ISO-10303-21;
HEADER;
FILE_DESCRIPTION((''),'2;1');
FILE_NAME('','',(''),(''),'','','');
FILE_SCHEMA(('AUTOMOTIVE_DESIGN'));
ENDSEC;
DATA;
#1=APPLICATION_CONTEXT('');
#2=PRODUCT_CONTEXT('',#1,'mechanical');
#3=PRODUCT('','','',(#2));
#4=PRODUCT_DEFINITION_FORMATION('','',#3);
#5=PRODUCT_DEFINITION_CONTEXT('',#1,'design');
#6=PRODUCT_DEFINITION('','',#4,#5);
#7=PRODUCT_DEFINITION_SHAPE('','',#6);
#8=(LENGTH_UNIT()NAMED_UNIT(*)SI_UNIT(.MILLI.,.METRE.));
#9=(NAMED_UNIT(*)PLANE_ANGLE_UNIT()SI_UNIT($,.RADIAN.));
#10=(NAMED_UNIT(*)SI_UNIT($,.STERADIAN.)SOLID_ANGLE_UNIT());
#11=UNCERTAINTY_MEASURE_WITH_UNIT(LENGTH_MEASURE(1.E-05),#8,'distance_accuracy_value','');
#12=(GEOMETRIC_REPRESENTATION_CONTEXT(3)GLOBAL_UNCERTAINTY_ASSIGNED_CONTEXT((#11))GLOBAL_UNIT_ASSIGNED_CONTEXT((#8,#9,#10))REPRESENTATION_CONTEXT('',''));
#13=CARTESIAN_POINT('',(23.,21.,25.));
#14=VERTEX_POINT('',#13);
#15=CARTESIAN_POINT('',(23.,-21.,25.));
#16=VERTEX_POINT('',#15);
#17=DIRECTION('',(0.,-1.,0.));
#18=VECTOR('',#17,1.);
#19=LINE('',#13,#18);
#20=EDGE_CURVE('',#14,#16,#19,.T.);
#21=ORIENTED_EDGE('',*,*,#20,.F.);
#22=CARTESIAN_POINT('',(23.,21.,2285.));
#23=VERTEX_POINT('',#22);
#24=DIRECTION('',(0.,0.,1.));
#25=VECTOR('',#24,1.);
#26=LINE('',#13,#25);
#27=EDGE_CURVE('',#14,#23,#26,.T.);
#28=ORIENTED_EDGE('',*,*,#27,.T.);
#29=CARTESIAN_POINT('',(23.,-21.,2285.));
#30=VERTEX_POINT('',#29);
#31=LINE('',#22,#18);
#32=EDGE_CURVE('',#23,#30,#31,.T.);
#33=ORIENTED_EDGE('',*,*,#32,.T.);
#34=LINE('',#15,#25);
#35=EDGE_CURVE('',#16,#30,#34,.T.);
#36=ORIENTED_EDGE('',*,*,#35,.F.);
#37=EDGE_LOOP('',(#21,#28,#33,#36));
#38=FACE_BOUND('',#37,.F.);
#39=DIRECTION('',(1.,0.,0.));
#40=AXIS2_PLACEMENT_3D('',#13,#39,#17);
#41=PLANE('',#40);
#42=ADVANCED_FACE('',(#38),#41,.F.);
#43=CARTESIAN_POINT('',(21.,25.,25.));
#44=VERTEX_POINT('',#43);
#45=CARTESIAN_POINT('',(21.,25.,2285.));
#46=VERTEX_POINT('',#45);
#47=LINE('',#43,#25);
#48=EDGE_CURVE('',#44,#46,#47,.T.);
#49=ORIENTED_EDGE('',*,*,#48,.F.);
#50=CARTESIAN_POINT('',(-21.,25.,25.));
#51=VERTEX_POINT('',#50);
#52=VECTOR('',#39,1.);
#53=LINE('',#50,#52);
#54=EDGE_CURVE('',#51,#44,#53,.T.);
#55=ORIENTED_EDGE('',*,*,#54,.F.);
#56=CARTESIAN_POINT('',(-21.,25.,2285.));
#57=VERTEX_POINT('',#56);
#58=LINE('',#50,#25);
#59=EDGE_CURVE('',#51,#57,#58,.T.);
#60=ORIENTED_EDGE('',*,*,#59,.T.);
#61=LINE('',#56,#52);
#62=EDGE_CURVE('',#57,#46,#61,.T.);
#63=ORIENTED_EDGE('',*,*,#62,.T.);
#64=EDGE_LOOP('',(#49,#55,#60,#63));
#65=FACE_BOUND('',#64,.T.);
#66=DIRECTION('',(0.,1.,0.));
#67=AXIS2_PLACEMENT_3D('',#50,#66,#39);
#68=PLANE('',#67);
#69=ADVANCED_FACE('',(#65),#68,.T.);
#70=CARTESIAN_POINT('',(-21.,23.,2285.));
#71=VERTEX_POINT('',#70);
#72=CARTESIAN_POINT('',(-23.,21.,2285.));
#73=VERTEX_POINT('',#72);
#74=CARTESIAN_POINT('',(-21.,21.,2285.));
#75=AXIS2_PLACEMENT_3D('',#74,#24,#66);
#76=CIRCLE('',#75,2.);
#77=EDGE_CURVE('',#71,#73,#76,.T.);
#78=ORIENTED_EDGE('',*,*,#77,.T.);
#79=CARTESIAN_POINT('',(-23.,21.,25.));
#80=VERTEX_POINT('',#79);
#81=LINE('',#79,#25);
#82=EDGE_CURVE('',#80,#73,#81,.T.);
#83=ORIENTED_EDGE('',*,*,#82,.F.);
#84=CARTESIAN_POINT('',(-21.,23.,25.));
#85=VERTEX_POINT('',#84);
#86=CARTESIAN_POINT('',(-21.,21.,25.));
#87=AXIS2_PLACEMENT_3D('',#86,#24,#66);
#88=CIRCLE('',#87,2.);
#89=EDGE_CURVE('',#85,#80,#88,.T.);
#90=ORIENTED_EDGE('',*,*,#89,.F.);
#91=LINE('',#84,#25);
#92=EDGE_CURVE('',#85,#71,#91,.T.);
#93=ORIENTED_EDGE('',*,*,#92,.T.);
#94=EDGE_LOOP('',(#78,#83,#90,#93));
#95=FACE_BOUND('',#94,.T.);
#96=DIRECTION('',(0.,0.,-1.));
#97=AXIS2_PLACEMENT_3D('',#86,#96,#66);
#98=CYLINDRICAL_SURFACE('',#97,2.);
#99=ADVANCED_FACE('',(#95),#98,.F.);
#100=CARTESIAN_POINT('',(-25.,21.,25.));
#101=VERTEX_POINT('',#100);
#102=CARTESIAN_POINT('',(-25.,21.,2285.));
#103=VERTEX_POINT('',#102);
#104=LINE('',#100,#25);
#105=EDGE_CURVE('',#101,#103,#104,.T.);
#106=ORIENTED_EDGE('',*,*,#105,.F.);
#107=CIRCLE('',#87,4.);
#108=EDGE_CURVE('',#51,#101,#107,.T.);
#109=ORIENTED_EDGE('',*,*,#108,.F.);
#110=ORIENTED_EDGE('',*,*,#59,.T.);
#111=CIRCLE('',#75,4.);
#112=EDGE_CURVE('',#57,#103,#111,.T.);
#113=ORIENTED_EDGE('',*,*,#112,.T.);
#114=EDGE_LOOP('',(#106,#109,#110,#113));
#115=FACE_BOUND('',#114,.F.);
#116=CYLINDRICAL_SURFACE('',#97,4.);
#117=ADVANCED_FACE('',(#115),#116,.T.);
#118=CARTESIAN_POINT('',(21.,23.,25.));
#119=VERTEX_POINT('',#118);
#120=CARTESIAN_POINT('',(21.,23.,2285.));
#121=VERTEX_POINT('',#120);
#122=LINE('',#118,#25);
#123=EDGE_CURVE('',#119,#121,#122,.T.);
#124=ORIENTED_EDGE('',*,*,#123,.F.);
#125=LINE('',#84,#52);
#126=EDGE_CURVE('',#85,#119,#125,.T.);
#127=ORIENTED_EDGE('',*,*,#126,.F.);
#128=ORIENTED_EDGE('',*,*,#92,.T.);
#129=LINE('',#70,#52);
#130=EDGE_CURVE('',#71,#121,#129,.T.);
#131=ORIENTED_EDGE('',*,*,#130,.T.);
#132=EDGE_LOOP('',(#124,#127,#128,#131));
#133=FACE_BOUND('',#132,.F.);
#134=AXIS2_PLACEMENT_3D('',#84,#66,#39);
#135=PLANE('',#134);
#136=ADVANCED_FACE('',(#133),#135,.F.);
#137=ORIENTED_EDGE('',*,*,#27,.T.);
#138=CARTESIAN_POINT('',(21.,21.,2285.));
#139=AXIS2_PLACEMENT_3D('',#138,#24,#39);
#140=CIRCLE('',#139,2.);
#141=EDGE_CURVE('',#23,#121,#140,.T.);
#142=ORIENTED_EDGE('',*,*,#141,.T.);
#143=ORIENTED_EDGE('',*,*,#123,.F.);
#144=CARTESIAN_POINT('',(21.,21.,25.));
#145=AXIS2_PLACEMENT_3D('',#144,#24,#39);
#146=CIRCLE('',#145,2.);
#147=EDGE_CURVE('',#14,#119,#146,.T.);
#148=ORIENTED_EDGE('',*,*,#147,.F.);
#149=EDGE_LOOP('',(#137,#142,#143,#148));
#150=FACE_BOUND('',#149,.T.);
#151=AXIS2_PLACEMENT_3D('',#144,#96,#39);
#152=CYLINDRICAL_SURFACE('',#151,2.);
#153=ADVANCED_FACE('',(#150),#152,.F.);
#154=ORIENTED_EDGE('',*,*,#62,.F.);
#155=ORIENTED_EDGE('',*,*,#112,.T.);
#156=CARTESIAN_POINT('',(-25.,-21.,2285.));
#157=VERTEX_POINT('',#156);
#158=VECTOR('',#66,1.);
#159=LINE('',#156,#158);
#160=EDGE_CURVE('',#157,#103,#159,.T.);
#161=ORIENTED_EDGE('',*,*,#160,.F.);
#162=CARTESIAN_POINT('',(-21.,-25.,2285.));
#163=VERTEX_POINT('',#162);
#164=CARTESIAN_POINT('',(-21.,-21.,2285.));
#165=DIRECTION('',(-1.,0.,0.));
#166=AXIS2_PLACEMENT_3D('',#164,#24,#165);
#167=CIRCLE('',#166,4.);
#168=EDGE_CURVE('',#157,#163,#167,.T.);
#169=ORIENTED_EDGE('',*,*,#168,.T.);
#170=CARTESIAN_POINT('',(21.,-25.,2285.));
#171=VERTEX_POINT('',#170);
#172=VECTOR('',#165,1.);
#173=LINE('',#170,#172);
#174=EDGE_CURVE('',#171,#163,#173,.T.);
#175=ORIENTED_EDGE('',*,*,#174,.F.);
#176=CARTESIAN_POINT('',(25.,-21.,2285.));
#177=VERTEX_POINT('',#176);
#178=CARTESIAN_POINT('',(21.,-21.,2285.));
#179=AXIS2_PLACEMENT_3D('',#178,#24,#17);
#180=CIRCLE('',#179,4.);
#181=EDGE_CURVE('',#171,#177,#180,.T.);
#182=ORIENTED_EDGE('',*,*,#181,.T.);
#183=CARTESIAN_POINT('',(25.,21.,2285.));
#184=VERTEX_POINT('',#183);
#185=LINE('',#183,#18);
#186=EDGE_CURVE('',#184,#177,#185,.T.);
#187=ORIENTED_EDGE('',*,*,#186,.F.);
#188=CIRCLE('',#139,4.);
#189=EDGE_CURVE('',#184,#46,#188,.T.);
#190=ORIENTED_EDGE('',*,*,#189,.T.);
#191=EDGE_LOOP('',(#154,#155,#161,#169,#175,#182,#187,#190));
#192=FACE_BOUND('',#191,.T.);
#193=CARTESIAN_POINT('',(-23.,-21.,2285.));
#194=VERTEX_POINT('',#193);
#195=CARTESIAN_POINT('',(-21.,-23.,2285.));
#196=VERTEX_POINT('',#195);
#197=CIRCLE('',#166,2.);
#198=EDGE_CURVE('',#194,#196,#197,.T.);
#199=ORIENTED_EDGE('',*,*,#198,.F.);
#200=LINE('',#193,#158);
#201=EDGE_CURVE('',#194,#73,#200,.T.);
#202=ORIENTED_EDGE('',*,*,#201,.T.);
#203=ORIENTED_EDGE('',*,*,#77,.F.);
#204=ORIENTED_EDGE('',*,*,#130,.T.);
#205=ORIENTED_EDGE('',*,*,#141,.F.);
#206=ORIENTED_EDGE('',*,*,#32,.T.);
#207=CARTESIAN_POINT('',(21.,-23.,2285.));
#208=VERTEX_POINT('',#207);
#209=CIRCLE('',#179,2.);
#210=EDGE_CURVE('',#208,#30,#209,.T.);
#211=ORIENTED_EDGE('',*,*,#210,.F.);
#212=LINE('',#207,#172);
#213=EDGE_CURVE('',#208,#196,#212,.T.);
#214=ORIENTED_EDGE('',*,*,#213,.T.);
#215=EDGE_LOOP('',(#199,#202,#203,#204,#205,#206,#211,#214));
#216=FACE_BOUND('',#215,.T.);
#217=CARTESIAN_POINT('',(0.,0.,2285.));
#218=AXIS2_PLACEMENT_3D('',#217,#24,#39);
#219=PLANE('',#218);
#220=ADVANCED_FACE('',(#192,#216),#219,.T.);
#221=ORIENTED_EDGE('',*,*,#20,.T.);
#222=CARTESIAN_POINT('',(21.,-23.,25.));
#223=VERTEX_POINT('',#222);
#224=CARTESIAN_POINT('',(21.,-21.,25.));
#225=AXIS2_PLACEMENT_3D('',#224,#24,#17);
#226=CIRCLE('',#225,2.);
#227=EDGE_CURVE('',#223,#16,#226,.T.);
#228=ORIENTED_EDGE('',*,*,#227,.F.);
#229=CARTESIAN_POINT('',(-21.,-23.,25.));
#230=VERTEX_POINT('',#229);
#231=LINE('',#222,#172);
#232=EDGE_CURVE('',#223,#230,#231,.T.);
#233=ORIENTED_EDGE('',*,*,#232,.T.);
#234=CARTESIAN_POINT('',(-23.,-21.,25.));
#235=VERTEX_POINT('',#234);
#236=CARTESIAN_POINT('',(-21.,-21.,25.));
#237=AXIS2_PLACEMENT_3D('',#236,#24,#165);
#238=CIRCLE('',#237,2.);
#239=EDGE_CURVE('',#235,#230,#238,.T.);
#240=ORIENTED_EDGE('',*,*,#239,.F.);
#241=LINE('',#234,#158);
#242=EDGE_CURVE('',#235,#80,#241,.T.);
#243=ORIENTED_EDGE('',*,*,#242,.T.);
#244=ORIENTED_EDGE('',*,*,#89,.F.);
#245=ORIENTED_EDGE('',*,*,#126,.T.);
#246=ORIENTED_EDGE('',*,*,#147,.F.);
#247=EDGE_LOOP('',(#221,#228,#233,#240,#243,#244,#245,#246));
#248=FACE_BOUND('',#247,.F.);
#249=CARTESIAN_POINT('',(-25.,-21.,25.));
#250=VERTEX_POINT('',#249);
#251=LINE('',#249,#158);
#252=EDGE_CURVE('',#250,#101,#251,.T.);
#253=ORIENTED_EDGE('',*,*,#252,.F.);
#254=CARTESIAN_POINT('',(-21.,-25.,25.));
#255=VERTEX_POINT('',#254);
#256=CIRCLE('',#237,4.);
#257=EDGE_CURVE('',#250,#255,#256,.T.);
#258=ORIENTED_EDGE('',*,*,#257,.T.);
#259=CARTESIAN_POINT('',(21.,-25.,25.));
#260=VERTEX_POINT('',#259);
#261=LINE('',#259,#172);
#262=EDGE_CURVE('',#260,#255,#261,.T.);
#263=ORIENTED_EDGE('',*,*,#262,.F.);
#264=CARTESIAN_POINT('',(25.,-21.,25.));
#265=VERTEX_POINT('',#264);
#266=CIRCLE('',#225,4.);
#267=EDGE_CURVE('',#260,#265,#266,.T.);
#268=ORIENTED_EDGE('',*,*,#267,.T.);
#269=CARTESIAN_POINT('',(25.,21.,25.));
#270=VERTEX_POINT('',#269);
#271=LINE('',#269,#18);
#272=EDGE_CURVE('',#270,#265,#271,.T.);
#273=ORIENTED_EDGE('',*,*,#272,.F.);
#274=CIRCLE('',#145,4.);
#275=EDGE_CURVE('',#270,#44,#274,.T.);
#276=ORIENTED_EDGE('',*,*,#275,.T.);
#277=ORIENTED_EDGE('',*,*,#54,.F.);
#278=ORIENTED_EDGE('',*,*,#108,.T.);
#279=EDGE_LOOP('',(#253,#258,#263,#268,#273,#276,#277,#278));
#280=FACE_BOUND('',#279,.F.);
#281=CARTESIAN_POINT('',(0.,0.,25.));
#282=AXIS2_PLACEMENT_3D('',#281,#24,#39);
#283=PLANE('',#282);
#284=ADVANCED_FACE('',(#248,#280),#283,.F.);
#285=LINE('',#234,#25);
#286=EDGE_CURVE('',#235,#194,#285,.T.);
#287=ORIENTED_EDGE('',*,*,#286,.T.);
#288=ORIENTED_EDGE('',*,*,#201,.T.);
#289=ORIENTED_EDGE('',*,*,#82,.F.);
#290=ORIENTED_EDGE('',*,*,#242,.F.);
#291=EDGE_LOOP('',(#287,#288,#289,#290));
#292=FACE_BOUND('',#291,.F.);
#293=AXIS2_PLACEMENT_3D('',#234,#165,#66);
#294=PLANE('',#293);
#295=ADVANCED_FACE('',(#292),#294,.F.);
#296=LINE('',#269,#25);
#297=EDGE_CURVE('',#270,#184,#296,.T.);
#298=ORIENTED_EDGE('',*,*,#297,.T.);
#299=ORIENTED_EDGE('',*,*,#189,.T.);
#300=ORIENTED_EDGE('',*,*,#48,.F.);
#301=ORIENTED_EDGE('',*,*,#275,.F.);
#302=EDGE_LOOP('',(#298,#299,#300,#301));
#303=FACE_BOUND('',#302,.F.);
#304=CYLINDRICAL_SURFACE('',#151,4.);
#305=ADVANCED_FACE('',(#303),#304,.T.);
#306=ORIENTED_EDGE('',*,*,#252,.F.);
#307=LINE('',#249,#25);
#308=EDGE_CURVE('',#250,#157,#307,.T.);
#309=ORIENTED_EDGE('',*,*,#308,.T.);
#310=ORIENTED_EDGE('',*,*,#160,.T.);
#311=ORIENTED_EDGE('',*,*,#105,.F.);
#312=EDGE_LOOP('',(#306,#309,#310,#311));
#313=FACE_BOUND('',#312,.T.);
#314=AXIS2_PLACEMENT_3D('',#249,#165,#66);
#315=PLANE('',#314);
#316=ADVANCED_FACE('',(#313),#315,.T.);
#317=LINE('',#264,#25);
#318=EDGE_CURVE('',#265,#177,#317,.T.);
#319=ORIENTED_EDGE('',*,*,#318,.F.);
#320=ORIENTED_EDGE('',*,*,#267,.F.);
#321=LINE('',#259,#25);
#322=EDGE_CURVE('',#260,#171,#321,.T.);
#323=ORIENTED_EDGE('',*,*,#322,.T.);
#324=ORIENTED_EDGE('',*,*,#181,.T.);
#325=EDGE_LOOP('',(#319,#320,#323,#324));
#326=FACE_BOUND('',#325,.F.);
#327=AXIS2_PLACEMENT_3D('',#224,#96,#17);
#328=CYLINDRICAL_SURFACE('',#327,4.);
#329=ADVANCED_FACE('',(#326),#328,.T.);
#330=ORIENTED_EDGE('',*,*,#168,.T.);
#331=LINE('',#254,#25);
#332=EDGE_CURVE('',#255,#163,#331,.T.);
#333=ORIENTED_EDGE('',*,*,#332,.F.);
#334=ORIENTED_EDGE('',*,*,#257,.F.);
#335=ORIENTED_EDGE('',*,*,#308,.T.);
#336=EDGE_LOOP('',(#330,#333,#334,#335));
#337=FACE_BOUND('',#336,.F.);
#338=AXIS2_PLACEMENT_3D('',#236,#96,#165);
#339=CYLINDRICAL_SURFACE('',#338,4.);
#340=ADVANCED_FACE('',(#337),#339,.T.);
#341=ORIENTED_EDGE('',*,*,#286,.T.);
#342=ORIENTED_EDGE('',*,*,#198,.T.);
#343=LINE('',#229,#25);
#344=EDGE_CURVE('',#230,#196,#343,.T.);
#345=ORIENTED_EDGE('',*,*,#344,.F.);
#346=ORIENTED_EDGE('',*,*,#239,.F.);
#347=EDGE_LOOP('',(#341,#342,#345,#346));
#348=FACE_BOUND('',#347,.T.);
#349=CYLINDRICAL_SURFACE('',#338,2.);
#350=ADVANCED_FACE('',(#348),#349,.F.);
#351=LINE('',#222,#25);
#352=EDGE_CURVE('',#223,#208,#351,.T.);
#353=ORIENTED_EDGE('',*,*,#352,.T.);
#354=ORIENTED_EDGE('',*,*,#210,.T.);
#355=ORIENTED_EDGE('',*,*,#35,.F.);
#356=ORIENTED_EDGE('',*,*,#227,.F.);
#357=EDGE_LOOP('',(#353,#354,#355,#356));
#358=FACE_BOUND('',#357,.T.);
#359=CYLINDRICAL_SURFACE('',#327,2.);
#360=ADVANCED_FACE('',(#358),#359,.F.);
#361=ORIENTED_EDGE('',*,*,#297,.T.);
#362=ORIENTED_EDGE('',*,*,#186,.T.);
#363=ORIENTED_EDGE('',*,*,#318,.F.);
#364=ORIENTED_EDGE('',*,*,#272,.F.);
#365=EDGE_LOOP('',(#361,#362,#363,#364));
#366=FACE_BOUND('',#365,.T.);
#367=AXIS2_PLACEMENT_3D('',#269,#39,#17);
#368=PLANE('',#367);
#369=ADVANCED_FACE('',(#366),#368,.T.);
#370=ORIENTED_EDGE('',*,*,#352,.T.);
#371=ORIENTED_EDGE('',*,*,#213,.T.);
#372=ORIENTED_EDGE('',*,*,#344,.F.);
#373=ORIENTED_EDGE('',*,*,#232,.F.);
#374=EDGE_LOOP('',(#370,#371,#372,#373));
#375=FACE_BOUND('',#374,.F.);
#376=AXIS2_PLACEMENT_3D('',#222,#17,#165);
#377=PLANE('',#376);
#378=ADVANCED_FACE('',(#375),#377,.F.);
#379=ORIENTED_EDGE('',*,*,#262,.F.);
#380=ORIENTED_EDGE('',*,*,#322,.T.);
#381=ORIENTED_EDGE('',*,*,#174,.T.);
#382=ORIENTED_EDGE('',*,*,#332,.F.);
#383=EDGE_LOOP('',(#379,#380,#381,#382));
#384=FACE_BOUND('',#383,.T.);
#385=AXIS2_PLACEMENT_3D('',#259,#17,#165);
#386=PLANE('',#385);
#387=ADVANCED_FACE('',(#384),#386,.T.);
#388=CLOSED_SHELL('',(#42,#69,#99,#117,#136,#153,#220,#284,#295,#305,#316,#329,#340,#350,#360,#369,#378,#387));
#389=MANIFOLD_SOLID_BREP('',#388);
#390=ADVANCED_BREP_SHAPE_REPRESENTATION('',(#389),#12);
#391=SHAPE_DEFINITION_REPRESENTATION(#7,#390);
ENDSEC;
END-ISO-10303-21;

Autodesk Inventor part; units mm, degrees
ref_plane "Start Plane" through (0, 0, 25) normal (0, 0, 1) x (1, 0, 0)
ref_plane "End Plane" through (0, 0, 2285) normal (0, 0, 1) x (1, 0, 0)
sketch "Sketch" plane through (0, 0, 0) normal (0, 0, 1) x (1, 0, 0)
  line L0 (-25, -21) -> (-25, 21)
  line L1 (-21, 25) -> (21, 25)
  line L2 (25, 21) -> (25, -21)
  line L3 (21, -25) -> (-21, -25)
  arc A0 (-25, -21) -> (-21, -25) centre (-21, -21) ccw
  arc A1 (25, 21) -> (21, 25) centre (21, 21) ccw
  arc A2 (-21, 25) -> (-25, 21) centre (-21, 21) ccw
  arc A3 (21, -25) -> (25, -21) centre (21, -21) ccw
  arc A4 (-21, 23) -> (-23, 21) centre (-21, 21) ccw
  line L4 (-21, 23) -> (21, 23)
  arc A5 (23, 21) -> (21, 23) centre (21, 21) ccw
  line L5 (23, 21) -> (23, -21)
  arc A6 (21, -23) -> (23, -21) centre (21, -21) ccw
  line L6 (21, -23) -> (-21, -23)
  arc A7 (-23, -21) -> (-21, -23) centre (-21, -21) ccw
  line L7 (-23, -21) -> (-23, 21)
  line L8 (0, 36.1598) -> (0, -36.1598) construction
  line L9 (-36.1598, 0) -> (36.1598, 0) construction
  dimension "d7" = 4
  dimension "d9" = 50
  dimension "d11" = 50
  dimension "d12" = 2
  dimension "d15" = 25
  dimension "d16" = 25
extrude "Body" add sketch "Sketch" along normal up to surface (2260 mm away) from surface at 25
sketch "Sketch3" plane through (0, 0, 0) normal (0, 0, 1) x (1, 0, 0)
  line L0 (0, 0) -> (10, 0)
ref_plane "Work Plane3" through (0, 0, 0) normal (0, -1, 0) x (1, 0, 0)
sketch "Sketch4" plane through (0, 0, 0) normal (0, -1, 0) x (1, 0, 0)
  line L0 (-2, 25) -> (12, 25)
  line L1 (-2, 2285) -> (12, 2285)
  dimension "d18" = 2260
ref_plane "Work Plane4" through (0, 21, 25) normal (0, 0, -1) x (-1, 0, 0)
split "Split1" plane through (0, 21, 25) removes the side toward (0, 0, -1)
ref_plane "Work Plane5" through (0, -21, 2285) normal (0, 0, 1) x (1, 0, 0)
split "Split2" plane through (0, -21, 2285) removes the side toward (0, 0, 1)
equation "\"d7\" = G_IR"
equation "\"d9\" = G_W"
equation "\"d11\" = G_H"
equation "\"d12\" = G_T"
equation "\"d15\" = 0.5 * d9"
equation "\"d16\" = 0.5 * d11"
equation "\"d3\" = G_L"
equation "\"G_W\" = 50"
equation "\"G_H\" = 50"
equation "\"G_T\" = 2"
equation "\"G_IR\" = 4"
equation "\"G_L\" = d18"
equation "\"G_OFFSET_START\" = -25"
equation "\"G_OFFSET_END\" = -25"
equation "\"d13\" = -G_OFFSET_START"
equation "\"d14\" = G_OFFSET_END + B_L"
equation "\"B_L\" = 2310"
properties part number "ISO 10799-2 - 50x50x2 - 2260" material "Galvanizado catalogo 1"
